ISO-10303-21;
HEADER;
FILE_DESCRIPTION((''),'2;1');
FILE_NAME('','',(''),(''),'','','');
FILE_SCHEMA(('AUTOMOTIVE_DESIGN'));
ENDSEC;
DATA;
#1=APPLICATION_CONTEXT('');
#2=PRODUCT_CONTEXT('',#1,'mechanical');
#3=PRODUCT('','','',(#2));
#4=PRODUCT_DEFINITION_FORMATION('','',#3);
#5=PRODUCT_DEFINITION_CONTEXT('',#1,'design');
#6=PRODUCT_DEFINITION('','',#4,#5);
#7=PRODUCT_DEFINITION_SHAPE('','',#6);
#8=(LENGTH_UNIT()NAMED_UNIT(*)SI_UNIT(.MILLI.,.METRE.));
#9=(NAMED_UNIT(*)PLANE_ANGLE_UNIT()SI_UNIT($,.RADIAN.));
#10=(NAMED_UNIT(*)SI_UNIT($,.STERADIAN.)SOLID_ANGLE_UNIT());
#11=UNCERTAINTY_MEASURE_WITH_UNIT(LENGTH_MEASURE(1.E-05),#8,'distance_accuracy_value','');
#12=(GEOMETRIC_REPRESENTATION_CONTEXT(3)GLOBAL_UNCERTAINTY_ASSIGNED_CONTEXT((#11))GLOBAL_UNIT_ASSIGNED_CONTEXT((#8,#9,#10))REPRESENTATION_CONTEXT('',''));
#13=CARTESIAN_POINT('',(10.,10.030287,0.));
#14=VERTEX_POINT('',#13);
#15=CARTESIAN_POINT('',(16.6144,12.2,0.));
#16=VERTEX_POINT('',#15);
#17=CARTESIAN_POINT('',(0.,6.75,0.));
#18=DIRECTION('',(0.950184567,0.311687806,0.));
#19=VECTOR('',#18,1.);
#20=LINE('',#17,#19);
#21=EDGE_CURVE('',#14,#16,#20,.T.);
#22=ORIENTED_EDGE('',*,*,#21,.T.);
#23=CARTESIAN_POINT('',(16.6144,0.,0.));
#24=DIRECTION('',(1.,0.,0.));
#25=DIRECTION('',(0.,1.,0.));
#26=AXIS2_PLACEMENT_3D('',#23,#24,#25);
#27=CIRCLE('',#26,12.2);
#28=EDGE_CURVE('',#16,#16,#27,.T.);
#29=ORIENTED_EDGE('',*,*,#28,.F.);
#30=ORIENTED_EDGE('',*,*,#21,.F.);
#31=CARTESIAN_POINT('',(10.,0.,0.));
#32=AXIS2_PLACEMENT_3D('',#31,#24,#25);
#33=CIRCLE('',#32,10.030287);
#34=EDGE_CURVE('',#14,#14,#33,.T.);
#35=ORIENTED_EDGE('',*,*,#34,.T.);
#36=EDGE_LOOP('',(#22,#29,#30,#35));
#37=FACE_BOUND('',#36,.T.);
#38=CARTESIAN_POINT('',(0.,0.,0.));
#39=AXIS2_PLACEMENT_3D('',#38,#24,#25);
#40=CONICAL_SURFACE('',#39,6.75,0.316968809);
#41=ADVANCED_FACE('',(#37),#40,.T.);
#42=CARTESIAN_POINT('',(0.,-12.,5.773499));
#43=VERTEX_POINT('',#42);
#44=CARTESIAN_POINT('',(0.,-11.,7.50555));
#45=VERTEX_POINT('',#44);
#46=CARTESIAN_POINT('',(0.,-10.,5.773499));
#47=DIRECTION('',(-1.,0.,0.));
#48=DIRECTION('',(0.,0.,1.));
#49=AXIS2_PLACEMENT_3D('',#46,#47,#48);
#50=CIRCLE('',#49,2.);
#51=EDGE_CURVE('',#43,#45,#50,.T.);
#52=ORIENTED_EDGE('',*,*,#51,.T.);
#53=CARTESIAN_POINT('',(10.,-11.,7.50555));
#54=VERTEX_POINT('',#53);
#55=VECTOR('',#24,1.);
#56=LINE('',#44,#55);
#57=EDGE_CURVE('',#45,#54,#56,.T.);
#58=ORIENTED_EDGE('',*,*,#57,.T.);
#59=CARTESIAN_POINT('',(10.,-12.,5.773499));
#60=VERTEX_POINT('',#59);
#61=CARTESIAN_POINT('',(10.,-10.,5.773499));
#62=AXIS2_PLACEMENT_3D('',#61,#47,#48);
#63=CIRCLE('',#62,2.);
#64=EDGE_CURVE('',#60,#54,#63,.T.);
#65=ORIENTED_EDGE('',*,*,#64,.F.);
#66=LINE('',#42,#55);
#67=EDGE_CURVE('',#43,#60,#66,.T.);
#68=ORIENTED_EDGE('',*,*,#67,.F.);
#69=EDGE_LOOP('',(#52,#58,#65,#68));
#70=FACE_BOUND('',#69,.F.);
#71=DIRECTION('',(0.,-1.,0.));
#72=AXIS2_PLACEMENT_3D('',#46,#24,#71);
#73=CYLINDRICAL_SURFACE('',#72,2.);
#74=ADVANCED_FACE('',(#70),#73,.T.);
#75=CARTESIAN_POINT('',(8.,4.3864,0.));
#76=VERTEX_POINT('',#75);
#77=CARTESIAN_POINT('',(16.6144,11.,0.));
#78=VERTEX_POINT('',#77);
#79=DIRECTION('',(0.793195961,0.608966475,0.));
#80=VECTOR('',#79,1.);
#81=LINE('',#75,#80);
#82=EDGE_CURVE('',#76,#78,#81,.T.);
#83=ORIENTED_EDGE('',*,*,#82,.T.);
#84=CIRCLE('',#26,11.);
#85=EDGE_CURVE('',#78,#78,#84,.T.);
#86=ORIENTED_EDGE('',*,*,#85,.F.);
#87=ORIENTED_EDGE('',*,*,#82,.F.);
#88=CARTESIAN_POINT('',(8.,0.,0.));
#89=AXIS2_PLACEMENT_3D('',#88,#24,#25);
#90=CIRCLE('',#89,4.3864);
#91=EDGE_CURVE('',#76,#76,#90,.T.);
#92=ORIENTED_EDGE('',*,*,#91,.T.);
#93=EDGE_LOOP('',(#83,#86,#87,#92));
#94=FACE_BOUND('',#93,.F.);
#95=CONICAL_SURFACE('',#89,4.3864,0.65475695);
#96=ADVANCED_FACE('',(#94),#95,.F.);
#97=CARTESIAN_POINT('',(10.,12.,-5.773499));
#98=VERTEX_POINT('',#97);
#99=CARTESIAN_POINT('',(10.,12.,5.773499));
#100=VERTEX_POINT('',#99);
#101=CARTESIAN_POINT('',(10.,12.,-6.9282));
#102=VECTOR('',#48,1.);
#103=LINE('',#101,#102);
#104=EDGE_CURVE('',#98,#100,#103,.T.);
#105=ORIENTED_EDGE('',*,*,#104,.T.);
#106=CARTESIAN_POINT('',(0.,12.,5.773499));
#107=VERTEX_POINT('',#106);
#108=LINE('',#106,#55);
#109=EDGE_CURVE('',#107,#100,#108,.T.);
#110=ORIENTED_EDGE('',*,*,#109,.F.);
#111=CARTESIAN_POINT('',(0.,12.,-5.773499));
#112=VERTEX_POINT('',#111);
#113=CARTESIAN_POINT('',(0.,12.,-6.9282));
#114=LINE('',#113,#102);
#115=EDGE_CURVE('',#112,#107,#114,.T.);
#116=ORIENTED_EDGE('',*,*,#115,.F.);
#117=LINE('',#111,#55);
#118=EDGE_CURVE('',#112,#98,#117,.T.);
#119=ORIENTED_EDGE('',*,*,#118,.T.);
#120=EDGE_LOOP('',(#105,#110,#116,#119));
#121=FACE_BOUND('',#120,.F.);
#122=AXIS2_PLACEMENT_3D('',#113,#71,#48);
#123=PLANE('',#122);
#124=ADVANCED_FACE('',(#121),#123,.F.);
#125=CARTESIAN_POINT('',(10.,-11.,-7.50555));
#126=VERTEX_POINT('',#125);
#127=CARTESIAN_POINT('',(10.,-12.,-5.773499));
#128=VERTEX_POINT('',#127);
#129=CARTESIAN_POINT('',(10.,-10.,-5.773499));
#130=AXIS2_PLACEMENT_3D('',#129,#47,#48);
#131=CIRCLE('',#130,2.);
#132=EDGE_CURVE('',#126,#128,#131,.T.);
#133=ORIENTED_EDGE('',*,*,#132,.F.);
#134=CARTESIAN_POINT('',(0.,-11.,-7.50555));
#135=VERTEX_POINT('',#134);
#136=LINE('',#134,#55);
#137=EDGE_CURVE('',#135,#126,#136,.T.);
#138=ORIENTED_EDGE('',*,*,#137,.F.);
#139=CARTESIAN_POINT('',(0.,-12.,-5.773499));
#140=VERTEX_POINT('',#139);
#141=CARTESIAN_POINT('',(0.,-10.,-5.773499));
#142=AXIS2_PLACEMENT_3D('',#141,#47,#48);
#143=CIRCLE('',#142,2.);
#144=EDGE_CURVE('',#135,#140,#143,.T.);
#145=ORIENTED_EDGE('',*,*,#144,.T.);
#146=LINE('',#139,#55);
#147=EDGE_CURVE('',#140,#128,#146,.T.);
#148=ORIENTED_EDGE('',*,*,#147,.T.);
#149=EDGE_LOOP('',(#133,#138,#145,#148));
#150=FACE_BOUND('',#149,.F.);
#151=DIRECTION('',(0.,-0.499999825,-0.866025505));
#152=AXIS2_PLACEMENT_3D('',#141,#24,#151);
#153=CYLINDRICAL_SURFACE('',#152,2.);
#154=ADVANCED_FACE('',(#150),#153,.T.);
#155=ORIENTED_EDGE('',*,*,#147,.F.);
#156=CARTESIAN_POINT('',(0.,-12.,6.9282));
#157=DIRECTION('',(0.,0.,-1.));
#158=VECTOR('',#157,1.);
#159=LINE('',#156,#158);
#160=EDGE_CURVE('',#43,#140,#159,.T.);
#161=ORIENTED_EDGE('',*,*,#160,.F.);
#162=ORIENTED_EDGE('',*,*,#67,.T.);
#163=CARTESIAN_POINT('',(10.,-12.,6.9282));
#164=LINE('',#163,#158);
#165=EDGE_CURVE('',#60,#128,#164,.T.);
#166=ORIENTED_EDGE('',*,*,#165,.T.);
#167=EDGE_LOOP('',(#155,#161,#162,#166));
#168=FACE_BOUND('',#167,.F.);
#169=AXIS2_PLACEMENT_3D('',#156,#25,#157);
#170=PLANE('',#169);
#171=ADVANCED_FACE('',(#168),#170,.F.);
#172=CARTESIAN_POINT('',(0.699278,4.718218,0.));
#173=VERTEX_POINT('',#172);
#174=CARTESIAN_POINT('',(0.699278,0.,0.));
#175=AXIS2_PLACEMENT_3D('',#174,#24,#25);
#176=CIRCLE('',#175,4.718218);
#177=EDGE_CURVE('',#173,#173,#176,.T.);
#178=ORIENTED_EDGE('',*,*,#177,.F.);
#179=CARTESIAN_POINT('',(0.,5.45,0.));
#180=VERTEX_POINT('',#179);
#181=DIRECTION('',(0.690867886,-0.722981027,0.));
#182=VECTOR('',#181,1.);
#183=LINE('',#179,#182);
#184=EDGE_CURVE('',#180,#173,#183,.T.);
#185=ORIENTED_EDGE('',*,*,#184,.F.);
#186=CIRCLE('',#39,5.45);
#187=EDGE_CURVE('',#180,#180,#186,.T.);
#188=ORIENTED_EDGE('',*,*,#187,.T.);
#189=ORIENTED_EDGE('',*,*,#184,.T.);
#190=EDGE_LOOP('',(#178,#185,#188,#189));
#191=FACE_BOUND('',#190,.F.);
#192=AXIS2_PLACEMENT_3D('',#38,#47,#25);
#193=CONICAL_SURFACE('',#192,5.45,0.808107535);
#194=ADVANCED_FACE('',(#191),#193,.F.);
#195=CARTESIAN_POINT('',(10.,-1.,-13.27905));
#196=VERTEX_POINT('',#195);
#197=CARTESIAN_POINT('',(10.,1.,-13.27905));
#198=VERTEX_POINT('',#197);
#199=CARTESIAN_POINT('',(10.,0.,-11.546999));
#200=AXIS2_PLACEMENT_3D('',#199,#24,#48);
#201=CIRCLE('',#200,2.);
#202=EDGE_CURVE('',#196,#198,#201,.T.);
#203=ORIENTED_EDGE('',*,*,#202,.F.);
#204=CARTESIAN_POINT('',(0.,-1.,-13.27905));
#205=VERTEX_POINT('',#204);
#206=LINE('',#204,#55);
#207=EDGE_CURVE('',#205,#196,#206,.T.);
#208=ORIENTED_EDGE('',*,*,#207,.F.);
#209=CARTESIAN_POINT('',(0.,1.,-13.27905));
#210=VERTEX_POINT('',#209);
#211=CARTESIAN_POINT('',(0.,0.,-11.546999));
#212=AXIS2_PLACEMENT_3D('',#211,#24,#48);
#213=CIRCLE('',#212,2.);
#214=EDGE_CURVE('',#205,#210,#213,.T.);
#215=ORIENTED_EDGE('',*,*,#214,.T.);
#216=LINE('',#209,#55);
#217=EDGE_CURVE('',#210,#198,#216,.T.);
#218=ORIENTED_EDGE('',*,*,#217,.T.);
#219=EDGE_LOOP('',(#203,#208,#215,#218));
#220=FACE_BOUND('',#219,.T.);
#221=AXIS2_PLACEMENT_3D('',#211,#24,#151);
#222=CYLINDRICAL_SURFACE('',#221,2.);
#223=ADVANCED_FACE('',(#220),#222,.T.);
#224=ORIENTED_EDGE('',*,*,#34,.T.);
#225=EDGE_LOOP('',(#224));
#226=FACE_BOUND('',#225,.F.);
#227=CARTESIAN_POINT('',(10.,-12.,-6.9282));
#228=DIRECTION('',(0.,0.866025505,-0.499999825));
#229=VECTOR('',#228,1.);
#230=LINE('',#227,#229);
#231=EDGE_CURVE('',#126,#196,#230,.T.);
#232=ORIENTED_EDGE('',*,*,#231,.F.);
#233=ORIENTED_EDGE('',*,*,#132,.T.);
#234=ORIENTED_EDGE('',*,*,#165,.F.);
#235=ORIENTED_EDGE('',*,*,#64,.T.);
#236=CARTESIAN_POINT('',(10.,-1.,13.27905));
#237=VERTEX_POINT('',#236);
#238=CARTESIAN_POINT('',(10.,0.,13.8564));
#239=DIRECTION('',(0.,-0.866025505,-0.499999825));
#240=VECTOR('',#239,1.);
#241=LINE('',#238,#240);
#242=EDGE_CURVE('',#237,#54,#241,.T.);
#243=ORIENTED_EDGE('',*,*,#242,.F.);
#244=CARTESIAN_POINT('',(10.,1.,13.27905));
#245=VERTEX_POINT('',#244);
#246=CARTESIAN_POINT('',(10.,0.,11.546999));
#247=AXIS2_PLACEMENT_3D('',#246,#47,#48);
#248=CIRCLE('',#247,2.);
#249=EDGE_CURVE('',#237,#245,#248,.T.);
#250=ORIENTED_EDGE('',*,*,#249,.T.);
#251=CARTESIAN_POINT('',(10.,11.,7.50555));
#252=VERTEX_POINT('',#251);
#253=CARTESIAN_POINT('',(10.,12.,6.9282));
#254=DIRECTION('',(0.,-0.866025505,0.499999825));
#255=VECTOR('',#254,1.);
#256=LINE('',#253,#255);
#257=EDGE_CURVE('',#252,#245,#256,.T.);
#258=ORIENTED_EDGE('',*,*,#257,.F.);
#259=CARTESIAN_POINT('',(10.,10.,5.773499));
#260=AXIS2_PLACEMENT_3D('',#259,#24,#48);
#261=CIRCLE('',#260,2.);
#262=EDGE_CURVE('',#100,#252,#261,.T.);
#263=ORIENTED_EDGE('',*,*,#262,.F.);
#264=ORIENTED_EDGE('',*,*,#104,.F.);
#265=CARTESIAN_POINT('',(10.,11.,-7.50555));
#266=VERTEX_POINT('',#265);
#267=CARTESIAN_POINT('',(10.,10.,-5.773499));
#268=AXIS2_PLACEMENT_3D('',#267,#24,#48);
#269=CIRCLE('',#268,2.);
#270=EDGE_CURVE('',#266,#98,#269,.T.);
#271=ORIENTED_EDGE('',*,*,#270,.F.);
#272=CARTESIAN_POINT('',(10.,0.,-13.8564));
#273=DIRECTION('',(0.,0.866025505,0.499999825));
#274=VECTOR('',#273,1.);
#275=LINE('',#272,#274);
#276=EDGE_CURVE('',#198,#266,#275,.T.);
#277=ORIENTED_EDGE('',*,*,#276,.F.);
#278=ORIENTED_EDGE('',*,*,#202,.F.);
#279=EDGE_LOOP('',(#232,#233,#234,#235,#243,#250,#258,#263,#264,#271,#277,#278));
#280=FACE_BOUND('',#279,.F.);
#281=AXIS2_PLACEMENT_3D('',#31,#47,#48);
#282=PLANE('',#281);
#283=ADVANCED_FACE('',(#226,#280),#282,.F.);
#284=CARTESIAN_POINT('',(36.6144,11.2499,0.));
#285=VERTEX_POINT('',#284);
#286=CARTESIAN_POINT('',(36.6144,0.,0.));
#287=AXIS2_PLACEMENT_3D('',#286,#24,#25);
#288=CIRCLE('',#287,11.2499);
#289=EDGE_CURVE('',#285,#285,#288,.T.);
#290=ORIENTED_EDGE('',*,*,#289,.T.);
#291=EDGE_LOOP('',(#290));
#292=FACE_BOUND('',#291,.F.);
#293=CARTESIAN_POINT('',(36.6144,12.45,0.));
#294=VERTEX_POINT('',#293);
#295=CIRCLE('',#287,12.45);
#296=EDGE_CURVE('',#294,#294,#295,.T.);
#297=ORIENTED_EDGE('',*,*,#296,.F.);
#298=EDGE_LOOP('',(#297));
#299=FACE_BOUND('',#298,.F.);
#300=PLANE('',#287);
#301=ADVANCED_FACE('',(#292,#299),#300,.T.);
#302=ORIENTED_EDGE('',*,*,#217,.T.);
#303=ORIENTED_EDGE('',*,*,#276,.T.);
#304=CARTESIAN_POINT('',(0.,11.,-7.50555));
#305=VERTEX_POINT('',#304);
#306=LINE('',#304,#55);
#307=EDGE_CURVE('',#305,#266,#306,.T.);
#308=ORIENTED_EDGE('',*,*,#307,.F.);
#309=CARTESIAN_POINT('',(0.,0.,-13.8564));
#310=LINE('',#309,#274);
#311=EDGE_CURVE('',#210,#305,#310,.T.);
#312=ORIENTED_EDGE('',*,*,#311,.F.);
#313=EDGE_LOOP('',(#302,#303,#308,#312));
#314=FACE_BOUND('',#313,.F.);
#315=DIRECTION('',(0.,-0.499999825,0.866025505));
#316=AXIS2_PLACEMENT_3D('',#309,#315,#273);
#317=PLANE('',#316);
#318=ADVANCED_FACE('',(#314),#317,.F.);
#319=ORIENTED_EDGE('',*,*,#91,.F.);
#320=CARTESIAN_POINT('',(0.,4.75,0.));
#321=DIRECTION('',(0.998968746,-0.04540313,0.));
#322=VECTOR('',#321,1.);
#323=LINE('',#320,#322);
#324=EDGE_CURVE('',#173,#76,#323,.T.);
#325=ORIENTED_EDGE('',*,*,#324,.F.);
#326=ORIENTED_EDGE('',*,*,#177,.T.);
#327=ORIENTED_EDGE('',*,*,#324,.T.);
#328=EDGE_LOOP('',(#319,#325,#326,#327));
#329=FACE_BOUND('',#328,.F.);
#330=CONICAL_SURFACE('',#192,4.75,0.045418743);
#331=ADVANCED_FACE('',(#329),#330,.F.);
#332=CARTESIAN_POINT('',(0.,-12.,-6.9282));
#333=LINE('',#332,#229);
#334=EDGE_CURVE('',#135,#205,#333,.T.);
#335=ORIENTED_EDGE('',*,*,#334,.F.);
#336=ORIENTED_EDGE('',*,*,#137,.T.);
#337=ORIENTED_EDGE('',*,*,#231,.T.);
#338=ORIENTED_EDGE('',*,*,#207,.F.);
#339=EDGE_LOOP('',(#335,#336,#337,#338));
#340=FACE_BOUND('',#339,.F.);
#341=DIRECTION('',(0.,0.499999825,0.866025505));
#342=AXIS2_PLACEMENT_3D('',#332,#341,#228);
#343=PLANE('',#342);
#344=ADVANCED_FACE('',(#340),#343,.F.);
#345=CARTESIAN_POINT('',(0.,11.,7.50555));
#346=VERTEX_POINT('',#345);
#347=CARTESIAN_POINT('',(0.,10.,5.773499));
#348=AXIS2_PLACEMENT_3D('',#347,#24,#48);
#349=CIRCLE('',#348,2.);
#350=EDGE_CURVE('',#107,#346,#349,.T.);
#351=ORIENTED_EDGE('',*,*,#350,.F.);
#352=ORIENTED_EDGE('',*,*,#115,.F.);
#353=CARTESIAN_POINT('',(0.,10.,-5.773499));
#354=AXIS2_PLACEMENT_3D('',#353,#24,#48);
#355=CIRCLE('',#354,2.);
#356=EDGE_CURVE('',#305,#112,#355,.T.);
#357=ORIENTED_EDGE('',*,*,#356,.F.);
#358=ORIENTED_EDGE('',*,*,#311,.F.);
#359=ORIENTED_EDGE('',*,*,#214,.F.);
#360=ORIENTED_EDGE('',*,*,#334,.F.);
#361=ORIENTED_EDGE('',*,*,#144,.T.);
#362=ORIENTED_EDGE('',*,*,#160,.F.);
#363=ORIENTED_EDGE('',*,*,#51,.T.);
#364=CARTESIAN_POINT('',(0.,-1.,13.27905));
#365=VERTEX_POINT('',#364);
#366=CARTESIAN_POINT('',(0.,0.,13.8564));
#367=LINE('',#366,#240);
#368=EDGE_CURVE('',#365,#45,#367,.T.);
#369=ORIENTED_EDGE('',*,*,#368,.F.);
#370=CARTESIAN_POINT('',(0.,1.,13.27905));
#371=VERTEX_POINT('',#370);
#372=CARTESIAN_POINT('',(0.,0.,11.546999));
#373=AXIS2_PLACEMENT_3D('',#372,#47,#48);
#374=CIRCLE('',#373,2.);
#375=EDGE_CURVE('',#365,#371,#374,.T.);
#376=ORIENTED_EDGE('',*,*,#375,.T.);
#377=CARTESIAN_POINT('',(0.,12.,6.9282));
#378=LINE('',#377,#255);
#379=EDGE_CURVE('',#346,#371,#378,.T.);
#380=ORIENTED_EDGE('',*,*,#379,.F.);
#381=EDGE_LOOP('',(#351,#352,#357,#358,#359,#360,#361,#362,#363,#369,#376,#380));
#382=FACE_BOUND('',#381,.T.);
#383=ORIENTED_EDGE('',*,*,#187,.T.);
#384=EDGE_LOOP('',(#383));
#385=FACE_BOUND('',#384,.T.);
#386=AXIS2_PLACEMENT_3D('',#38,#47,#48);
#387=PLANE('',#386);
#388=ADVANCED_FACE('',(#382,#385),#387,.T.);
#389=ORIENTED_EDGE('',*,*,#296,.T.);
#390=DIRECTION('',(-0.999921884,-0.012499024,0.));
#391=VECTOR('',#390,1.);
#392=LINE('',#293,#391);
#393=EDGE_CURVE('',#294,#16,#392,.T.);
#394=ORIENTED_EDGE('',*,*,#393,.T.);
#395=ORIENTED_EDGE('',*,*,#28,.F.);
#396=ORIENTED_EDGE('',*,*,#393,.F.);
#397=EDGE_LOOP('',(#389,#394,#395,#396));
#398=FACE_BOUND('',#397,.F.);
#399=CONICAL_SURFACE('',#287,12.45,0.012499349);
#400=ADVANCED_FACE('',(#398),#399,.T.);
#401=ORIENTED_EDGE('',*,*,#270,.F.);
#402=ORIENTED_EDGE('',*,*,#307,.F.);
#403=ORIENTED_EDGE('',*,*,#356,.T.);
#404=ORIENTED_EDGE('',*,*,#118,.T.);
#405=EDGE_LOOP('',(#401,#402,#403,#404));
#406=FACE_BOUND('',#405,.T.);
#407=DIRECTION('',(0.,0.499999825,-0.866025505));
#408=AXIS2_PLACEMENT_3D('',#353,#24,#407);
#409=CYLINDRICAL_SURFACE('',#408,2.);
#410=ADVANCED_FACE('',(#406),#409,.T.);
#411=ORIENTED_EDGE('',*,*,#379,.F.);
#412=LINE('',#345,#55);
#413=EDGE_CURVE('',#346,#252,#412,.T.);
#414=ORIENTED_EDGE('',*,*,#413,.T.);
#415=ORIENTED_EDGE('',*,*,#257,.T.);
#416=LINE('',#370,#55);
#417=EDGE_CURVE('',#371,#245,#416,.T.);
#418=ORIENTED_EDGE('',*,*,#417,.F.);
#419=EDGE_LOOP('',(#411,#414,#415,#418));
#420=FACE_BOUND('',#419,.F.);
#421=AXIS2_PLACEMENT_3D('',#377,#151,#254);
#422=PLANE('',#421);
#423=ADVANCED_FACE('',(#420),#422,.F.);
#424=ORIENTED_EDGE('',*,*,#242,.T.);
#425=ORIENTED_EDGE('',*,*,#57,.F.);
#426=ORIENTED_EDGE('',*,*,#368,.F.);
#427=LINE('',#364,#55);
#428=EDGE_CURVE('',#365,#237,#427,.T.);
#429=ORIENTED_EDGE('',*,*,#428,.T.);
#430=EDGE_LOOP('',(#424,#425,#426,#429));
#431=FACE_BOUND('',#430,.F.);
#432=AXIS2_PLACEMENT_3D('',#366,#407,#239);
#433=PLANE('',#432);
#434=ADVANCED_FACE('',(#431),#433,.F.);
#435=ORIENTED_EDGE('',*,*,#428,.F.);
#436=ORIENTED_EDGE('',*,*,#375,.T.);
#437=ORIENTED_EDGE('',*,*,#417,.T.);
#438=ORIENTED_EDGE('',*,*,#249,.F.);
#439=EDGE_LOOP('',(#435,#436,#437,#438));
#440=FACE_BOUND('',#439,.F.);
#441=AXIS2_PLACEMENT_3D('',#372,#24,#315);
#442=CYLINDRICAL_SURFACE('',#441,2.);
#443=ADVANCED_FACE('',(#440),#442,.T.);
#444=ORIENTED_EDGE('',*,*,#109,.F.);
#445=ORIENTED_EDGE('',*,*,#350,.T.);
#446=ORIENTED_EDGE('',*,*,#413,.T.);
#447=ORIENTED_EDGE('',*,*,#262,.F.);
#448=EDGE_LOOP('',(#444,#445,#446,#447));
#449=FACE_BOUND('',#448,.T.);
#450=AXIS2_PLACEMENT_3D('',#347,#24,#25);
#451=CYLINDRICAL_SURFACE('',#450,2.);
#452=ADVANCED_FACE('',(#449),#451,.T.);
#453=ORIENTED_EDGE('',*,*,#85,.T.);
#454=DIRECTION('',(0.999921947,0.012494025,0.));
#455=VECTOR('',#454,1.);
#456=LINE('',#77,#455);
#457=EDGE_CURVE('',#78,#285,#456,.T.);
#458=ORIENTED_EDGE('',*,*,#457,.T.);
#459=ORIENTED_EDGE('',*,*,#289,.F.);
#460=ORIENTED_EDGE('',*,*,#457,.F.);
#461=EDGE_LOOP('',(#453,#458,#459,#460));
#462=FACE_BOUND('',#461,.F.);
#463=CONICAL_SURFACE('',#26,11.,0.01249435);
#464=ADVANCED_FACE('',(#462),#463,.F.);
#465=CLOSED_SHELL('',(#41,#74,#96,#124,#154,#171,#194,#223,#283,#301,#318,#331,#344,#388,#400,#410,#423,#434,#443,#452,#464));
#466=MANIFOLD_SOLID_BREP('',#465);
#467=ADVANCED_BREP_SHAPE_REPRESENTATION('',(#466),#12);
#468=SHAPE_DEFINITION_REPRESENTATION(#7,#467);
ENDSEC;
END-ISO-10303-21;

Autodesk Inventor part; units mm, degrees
ref_plane "YZ Plane" through (0, 0, 0) normal (1, 0, 0) x (0, 1, 0)
ref_plane "XZ Plane" through (0, 0, 0) normal (0, 1, 0) x (-1, 0, 0)
ref_plane "XY Plane" through (0, 0, 0) normal (0, 0, 1) x (1, 0, 0)
sketch "Sketch1" plane through (0, 0, 0) normal (0, 0, 1) x (1, 0, 0)
  line L0 (0, 0) -> (6.6144, 0) construction
  line L1 (0, 0) -> (0, 4.75) construction
  line L2 (0, 4.75) -> (8, 4.3864)
  line L3 (6.6144, 0) -> (16.6144, 0) construction
  line L4 (16.6144, 0) -> (16.6144, 12.2) construction
  line L5 (16.6144, 0) -> (36.6144, 0) construction
  line L6 (36.6144, 0) -> (36.6144, 12.45) construction
  line L7 (36.6144, 12.45) -> (16.6144, 12.2)
  line L8 (0, 4.75) -> (0, 6.75)
  line L9 (0, 4.75) -> (2, 4.75) construction
  line L10 (0, 6.75) -> (16.6144, 12.2)
  line L11 (8, 4.3864) -> (16.6144, 11)
  line L12 (16.6144, 11) -> (36.6144, 11.2499)
  line L13 (36.6144, 11.2499) -> (36.6144, 12.45)
  line L14 (0, 0) -> (3.3, 0) construction
  line L15 (3.3, 0) -> (3.3, 4.6) construction
  dimension "d2" = 4.75
  dimension "d3" = 12.2
  dimension "d4" = 20
  dimension "d5" = 12.45
  dimension "d6" = 2
  dimension "d7" = 90
  dimension "d8" = 1.2
  dimension "d9" = 1.2
  dimension "d10" = 10
  dimension "d24" = 177.397
  dimension "d25" = 8
  dimension "d26" = 3.3
  dimension "d27" = 4.6
  dimension "d28" = 6.6144
revolve "Revolution1" add sketch "Sketch1" angle 360 about axis through (6.6144, 0, 0) along (1, 0, 0)
sketch "Sketch2" plane through (0, 0, 0) normal (-1, 0, 0) x (0, 0, 1)
  circle A0 centre (0, 0) radius 6.75 projected
  line L0 (0, -6.75) -> (0, -12.2) construction
  circle A1 centre (0, 0) radius 12.2 projected
  line L1 (1.633, -6.5495) -> (2.9514, -11.8376)
  line L2 (-1.633, -6.5495) -> (-2.9514, -11.8376)
  point P0 (-1.633, -6.5495)
  point P1 (-2.9514, -11.8376)
  dimension "d12" = 14
extrude "Extrusion1" [suppressed]
chamfer "Chamfer1" [suppressed]
pattern_circular "Circular Pattern1" [suppressed]
chamfer "Chamfer2" distance 0.7 angle 45 1 edges at (0, -4.75, 0)
sketch "Sketch3" plane through (0, 0, 0) normal (-1, 0, 0) x (0, 0, 1)
  line L0 (-6.9282, -12) -> (-13.8564, 0)
  line L1 (-13.8564, 0) -> (-6.9282, 12)
  line L2 (-6.9282, 12) -> (6.9282, 12)
  line L3 (6.9282, 12) -> (13.8564, 0)
  line L4 (13.8564, 0) -> (6.9282, -12)
  line L5 (6.9282, -12) -> (-6.9282, -12)
  circle A0 centre (0, 0) radius 6.75 projected
  point P0 (0, -12)
  dimension "d32" = 24
extrude "Extrusion2" add sketch "Sketch3" against normal blind 10
fillet "Fillet1" radius 2 6 edges at (5, 12, 6.9282) (5, 12, -6.9282) (5, 0, -13.8564) (5, -12, -6.9282) (5, -12, 6.9282) (5, 0, 13.8564)
equation "\"Tol\" = 0"
properties part number "PneumaticAdaptorFemale"
